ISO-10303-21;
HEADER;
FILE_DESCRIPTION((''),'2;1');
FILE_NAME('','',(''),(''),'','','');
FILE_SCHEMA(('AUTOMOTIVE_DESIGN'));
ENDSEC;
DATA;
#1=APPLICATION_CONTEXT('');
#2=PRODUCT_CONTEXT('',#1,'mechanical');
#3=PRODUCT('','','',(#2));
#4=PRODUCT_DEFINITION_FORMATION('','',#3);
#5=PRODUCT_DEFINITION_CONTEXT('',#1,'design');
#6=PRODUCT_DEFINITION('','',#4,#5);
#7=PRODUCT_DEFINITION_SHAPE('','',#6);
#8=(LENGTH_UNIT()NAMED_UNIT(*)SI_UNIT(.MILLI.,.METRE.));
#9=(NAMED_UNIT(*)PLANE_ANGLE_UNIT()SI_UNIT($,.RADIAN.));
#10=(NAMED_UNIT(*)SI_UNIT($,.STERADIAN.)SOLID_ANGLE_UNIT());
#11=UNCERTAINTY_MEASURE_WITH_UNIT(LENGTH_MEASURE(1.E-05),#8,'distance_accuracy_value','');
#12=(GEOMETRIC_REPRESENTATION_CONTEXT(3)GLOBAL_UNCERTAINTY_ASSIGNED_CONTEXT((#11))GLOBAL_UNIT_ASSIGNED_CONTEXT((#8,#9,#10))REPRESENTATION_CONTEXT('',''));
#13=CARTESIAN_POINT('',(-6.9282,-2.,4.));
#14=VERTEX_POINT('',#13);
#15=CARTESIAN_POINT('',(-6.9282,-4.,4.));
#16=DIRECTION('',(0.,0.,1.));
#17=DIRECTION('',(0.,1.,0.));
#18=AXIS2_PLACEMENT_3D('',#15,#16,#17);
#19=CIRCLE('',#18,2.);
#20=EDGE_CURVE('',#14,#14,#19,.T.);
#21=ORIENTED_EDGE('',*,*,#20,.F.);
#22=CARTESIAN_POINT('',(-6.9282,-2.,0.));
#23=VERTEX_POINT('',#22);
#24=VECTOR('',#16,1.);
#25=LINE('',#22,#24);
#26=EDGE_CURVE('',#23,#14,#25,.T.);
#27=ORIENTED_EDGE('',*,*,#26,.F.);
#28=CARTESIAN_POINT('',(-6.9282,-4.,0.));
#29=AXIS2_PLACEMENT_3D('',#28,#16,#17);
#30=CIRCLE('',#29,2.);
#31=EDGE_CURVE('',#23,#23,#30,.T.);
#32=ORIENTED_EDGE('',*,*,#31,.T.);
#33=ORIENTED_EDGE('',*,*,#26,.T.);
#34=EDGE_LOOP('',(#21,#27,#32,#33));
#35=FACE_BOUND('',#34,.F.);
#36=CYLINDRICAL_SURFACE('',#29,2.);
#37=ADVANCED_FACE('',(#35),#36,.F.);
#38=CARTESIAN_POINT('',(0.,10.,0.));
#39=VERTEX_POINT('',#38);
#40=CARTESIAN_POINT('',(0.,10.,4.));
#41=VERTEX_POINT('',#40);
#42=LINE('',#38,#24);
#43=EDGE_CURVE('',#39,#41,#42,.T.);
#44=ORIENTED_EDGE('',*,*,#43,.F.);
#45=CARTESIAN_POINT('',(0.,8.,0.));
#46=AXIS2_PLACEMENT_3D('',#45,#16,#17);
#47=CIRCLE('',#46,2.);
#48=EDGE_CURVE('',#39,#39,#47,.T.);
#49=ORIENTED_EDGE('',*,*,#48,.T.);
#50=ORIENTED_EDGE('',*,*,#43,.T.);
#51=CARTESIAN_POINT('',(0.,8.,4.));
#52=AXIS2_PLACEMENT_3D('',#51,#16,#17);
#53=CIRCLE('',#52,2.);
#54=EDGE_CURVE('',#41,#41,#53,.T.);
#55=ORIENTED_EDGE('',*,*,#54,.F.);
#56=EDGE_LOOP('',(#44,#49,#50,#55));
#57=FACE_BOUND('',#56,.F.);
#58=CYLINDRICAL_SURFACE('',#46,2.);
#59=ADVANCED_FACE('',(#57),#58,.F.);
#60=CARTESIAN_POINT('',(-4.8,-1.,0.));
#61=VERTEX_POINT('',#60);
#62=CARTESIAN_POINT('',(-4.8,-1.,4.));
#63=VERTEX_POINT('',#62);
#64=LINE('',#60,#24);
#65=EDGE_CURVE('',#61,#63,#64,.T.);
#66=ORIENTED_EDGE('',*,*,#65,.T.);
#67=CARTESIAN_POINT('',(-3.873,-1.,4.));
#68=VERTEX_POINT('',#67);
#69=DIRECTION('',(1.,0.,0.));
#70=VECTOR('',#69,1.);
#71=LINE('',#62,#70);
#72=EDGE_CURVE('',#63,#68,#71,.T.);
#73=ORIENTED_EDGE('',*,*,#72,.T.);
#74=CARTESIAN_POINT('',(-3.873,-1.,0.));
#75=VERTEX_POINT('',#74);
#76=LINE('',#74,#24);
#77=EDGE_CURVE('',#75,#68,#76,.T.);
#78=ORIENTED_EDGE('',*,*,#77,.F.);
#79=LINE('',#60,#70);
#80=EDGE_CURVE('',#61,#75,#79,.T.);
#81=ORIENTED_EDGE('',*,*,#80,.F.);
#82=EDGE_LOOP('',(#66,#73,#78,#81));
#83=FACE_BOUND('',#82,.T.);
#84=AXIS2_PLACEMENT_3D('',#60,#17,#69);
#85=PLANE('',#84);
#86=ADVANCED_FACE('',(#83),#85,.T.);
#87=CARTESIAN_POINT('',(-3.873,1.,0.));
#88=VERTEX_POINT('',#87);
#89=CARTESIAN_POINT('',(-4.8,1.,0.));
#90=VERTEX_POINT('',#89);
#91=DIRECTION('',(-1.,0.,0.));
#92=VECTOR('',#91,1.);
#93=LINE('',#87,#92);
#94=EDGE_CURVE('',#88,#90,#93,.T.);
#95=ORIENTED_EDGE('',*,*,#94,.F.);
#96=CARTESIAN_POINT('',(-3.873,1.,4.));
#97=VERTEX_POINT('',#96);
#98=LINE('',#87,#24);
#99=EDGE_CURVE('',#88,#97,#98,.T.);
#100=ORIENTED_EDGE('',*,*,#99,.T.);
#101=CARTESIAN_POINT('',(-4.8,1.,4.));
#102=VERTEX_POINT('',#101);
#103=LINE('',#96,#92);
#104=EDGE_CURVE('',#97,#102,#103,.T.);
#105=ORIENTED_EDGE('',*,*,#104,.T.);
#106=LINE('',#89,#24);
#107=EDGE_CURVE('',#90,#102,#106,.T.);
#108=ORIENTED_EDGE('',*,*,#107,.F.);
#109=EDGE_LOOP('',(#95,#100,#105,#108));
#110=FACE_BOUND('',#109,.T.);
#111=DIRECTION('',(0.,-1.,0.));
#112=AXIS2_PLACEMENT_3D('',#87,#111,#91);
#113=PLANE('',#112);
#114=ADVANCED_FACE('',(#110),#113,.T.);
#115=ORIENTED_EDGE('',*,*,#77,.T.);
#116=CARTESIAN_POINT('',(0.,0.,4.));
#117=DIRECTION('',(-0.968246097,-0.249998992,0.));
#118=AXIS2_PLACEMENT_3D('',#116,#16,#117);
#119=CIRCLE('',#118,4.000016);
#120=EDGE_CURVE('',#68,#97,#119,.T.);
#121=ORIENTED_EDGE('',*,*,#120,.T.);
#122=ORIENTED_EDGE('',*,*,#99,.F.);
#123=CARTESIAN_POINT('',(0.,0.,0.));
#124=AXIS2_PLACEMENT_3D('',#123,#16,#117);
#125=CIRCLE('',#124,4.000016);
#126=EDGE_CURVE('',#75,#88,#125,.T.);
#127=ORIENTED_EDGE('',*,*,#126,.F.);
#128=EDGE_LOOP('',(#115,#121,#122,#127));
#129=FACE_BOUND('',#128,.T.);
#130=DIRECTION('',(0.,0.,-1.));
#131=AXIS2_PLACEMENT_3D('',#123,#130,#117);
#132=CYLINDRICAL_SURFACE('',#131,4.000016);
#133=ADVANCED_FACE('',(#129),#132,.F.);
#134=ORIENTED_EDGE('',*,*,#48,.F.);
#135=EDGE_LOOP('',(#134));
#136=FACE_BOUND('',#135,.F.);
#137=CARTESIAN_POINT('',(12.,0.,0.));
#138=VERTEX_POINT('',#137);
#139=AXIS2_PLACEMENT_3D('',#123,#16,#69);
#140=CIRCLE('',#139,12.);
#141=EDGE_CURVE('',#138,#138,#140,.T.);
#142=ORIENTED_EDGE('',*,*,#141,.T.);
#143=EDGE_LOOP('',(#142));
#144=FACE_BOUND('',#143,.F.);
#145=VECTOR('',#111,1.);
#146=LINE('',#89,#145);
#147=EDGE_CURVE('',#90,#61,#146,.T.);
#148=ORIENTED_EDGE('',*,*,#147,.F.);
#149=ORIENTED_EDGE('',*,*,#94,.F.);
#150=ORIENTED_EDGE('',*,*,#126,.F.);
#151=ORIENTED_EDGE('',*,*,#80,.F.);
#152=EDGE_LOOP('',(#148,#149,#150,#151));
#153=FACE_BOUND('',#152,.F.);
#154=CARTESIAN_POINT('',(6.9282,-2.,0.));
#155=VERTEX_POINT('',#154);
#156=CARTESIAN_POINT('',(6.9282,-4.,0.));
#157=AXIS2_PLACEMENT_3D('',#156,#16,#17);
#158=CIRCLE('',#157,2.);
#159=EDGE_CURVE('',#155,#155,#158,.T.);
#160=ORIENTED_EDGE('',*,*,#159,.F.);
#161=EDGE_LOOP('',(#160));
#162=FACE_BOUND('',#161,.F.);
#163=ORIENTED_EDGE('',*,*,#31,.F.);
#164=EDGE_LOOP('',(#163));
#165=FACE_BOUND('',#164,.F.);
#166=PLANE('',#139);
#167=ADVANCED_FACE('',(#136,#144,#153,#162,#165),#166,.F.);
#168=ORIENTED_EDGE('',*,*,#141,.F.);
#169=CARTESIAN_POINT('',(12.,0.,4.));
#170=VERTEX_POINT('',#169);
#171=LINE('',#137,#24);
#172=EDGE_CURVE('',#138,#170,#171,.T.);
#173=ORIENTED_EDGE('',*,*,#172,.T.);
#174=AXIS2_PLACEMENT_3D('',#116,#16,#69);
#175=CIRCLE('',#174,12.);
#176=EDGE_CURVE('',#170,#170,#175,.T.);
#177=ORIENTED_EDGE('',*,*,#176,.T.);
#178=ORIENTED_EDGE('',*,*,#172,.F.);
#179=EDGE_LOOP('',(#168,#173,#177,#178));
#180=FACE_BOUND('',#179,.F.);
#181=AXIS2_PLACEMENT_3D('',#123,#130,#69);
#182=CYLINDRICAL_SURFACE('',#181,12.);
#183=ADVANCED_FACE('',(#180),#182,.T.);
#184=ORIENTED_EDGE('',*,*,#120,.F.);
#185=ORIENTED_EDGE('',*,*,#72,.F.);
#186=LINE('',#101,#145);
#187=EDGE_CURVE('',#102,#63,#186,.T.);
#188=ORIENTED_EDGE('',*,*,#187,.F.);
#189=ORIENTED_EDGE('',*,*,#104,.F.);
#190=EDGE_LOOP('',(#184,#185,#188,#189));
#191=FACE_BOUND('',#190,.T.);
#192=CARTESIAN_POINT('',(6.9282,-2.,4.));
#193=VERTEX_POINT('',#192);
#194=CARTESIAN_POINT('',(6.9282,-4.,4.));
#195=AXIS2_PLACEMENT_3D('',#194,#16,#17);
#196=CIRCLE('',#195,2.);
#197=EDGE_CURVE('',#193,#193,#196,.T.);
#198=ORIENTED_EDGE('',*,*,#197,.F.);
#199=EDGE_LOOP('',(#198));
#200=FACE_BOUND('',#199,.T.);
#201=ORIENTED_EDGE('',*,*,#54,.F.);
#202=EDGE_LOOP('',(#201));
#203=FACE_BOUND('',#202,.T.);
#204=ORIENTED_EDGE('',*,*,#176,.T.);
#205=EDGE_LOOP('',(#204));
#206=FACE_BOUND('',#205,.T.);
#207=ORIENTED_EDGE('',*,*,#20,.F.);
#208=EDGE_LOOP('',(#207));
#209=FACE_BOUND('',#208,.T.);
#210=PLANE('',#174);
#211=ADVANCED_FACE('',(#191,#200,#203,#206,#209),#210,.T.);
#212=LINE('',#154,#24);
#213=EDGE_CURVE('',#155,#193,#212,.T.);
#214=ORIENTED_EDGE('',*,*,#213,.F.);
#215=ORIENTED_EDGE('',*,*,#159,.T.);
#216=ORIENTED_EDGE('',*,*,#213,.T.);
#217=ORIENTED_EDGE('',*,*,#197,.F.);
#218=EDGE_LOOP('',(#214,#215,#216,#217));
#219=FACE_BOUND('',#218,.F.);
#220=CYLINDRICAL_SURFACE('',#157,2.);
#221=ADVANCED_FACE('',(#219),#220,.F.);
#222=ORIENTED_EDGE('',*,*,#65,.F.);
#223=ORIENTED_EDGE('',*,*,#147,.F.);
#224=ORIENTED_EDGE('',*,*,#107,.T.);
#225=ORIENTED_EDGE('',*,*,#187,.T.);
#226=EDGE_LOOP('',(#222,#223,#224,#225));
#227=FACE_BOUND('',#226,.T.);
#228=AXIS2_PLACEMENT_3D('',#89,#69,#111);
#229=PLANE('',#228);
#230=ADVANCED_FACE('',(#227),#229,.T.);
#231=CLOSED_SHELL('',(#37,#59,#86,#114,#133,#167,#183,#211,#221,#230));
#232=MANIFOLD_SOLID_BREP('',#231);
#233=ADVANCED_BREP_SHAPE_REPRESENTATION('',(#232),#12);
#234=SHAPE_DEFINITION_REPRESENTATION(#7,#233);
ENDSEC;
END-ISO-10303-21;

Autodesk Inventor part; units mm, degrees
ref_plane "YZ Plane" through (0, 0, 0) normal (1, 0, 0) x (0, 1, 0)
ref_plane "XZ Plane" through (0, 0, 0) normal (0, 1, 0) x (-1, 0, 0)
ref_plane "Work Plane1" through (0, 0, 0) normal (0, 0, 1) x (1, 0, 0)
sketch "Sketch1" plane through (0, 0, 0) normal (0, 0, 1) x (1, 0, 0)
  circle A0 centre (0, 0) radius 12 projected
  circle A1 centre (-6.9282, -4) radius 2 projected
  circle A2 centre (6.9282, -4) radius 2 projected
  circle A3 centre (0, 8) radius 2 projected
  line L0 (-4.8, 1) -> (-4.8, -1) projected
  line L1 (-3.873, 1) -> (-4.8, 1) projected
  arc A4 (-3.873, -1) -> (-3.873, 1) centre (0, 0) ccw projected
  line L2 (-4.8, -1) -> (-3.873, -1) projected
  point P0 (0, 0)
extrude "Extrusion1" add sketch "Sketch1" along normal blind 4 contours A0 | A1 | A2 | A3
sketch "Sketch2" plane through (0, 0, 0) normal (0, 0, -1) x (-1, 0, 0)
  point P0 (0, 0)
  point P1 (-6.9282, -4)
  point P2 (0, 8)
  point P3 (6.9282, -4)
hole "Hole1" at (6.9282, -4, 0) at (0, 8, 0) at (-6.9282, -4, 0) direction (0, 0, 1) diameter 4 end through all clearance for "Countersunk Flat Head Screw ISO 2009/7046" size "M4" standard "ISO"
properties part number "spiebaanplaatKlein" material "Aluminum 6061"
